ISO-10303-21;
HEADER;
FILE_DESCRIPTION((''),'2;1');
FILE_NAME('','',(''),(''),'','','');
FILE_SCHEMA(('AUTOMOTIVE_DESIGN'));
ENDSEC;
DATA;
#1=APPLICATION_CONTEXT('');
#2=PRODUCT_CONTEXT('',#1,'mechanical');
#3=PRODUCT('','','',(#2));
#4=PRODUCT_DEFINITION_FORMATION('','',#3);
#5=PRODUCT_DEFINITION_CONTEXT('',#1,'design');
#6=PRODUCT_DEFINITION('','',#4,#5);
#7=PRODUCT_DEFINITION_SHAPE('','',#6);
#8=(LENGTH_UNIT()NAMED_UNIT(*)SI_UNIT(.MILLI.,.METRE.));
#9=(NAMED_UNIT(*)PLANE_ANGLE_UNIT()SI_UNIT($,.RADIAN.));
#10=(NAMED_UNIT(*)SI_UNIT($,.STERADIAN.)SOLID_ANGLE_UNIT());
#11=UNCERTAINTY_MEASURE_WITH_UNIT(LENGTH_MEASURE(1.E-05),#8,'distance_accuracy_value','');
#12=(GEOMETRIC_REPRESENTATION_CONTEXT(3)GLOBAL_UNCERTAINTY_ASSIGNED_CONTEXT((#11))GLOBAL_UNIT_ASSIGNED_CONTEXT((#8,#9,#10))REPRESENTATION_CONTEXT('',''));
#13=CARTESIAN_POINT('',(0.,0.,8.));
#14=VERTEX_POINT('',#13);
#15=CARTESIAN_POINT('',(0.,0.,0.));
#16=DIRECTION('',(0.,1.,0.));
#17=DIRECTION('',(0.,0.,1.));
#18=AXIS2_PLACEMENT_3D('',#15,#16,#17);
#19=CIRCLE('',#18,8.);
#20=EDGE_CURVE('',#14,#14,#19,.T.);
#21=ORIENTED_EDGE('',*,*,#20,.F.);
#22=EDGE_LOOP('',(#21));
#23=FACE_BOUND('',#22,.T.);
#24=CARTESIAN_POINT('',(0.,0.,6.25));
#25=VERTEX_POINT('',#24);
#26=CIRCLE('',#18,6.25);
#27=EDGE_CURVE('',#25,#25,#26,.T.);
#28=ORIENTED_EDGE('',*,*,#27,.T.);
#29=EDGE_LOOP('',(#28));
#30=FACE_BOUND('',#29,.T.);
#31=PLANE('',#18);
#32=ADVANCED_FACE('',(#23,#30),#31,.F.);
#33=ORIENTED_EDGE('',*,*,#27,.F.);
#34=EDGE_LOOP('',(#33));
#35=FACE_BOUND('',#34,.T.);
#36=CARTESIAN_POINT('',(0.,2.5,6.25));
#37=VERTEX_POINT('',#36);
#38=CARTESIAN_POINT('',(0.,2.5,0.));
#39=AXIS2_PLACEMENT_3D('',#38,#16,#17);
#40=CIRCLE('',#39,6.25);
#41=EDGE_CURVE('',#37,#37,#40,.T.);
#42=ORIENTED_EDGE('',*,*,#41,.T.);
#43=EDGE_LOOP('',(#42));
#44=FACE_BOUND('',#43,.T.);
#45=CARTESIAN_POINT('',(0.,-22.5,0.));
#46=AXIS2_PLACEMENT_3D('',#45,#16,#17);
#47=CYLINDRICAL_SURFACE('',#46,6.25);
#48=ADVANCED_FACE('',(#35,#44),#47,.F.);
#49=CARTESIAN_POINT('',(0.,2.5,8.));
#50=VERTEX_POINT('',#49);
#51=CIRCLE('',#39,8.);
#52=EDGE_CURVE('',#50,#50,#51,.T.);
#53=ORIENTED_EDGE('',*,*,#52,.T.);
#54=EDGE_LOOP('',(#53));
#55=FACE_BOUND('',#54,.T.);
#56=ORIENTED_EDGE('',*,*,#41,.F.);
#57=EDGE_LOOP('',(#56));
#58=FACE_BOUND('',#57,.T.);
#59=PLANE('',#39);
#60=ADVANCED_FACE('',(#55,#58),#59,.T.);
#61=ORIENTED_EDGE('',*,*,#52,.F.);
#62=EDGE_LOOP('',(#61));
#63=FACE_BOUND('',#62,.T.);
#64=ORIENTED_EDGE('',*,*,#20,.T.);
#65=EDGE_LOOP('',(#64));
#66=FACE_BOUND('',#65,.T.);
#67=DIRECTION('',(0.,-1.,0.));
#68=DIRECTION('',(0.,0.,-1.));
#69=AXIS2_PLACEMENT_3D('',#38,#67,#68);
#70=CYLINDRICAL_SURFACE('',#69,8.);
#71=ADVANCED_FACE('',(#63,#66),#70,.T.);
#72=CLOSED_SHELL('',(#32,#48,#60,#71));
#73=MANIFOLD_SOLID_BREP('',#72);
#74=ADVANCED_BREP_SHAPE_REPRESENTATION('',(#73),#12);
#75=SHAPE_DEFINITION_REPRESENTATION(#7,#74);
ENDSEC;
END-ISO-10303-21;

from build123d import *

# Parameters (mm, degrees)
SKETCH1_R           = 8
BOSS_EXTRUDE1_DEPTH = 2.5
SKETCH5_R           = 6.25
CUT_EXTRUDE2_DEPTH  = 25


with BuildPart() as part:
    # Sketch1 → Boss-Extrude1 (new body)
    with BuildSketch(Plane(origin=(0, 0, 0), x_dir=(1, 0, 0), z_dir=(0, 1, 0))):
        with Locations(Location((0, 0, 0), (0, 0, 270))):
            Circle(SKETCH1_R)
    extrude(amount=BOSS_EXTRUDE1_DEPTH)

    # Sketch5 → Cut-Extrude2 (cut, symmetric)
    with BuildSketch(Plane(origin=(0, 2.5, 0), x_dir=(1, 0, 0), z_dir=(0, 1, 0))):
        with Locations(Location((0, 0, 0), (0, 0, 270))):
            Circle(SKETCH5_R)
    extrude(amount=CUT_EXTRUDE2_DEPTH, both=True, mode=Mode.SUBTRACT)


solid = part.part
